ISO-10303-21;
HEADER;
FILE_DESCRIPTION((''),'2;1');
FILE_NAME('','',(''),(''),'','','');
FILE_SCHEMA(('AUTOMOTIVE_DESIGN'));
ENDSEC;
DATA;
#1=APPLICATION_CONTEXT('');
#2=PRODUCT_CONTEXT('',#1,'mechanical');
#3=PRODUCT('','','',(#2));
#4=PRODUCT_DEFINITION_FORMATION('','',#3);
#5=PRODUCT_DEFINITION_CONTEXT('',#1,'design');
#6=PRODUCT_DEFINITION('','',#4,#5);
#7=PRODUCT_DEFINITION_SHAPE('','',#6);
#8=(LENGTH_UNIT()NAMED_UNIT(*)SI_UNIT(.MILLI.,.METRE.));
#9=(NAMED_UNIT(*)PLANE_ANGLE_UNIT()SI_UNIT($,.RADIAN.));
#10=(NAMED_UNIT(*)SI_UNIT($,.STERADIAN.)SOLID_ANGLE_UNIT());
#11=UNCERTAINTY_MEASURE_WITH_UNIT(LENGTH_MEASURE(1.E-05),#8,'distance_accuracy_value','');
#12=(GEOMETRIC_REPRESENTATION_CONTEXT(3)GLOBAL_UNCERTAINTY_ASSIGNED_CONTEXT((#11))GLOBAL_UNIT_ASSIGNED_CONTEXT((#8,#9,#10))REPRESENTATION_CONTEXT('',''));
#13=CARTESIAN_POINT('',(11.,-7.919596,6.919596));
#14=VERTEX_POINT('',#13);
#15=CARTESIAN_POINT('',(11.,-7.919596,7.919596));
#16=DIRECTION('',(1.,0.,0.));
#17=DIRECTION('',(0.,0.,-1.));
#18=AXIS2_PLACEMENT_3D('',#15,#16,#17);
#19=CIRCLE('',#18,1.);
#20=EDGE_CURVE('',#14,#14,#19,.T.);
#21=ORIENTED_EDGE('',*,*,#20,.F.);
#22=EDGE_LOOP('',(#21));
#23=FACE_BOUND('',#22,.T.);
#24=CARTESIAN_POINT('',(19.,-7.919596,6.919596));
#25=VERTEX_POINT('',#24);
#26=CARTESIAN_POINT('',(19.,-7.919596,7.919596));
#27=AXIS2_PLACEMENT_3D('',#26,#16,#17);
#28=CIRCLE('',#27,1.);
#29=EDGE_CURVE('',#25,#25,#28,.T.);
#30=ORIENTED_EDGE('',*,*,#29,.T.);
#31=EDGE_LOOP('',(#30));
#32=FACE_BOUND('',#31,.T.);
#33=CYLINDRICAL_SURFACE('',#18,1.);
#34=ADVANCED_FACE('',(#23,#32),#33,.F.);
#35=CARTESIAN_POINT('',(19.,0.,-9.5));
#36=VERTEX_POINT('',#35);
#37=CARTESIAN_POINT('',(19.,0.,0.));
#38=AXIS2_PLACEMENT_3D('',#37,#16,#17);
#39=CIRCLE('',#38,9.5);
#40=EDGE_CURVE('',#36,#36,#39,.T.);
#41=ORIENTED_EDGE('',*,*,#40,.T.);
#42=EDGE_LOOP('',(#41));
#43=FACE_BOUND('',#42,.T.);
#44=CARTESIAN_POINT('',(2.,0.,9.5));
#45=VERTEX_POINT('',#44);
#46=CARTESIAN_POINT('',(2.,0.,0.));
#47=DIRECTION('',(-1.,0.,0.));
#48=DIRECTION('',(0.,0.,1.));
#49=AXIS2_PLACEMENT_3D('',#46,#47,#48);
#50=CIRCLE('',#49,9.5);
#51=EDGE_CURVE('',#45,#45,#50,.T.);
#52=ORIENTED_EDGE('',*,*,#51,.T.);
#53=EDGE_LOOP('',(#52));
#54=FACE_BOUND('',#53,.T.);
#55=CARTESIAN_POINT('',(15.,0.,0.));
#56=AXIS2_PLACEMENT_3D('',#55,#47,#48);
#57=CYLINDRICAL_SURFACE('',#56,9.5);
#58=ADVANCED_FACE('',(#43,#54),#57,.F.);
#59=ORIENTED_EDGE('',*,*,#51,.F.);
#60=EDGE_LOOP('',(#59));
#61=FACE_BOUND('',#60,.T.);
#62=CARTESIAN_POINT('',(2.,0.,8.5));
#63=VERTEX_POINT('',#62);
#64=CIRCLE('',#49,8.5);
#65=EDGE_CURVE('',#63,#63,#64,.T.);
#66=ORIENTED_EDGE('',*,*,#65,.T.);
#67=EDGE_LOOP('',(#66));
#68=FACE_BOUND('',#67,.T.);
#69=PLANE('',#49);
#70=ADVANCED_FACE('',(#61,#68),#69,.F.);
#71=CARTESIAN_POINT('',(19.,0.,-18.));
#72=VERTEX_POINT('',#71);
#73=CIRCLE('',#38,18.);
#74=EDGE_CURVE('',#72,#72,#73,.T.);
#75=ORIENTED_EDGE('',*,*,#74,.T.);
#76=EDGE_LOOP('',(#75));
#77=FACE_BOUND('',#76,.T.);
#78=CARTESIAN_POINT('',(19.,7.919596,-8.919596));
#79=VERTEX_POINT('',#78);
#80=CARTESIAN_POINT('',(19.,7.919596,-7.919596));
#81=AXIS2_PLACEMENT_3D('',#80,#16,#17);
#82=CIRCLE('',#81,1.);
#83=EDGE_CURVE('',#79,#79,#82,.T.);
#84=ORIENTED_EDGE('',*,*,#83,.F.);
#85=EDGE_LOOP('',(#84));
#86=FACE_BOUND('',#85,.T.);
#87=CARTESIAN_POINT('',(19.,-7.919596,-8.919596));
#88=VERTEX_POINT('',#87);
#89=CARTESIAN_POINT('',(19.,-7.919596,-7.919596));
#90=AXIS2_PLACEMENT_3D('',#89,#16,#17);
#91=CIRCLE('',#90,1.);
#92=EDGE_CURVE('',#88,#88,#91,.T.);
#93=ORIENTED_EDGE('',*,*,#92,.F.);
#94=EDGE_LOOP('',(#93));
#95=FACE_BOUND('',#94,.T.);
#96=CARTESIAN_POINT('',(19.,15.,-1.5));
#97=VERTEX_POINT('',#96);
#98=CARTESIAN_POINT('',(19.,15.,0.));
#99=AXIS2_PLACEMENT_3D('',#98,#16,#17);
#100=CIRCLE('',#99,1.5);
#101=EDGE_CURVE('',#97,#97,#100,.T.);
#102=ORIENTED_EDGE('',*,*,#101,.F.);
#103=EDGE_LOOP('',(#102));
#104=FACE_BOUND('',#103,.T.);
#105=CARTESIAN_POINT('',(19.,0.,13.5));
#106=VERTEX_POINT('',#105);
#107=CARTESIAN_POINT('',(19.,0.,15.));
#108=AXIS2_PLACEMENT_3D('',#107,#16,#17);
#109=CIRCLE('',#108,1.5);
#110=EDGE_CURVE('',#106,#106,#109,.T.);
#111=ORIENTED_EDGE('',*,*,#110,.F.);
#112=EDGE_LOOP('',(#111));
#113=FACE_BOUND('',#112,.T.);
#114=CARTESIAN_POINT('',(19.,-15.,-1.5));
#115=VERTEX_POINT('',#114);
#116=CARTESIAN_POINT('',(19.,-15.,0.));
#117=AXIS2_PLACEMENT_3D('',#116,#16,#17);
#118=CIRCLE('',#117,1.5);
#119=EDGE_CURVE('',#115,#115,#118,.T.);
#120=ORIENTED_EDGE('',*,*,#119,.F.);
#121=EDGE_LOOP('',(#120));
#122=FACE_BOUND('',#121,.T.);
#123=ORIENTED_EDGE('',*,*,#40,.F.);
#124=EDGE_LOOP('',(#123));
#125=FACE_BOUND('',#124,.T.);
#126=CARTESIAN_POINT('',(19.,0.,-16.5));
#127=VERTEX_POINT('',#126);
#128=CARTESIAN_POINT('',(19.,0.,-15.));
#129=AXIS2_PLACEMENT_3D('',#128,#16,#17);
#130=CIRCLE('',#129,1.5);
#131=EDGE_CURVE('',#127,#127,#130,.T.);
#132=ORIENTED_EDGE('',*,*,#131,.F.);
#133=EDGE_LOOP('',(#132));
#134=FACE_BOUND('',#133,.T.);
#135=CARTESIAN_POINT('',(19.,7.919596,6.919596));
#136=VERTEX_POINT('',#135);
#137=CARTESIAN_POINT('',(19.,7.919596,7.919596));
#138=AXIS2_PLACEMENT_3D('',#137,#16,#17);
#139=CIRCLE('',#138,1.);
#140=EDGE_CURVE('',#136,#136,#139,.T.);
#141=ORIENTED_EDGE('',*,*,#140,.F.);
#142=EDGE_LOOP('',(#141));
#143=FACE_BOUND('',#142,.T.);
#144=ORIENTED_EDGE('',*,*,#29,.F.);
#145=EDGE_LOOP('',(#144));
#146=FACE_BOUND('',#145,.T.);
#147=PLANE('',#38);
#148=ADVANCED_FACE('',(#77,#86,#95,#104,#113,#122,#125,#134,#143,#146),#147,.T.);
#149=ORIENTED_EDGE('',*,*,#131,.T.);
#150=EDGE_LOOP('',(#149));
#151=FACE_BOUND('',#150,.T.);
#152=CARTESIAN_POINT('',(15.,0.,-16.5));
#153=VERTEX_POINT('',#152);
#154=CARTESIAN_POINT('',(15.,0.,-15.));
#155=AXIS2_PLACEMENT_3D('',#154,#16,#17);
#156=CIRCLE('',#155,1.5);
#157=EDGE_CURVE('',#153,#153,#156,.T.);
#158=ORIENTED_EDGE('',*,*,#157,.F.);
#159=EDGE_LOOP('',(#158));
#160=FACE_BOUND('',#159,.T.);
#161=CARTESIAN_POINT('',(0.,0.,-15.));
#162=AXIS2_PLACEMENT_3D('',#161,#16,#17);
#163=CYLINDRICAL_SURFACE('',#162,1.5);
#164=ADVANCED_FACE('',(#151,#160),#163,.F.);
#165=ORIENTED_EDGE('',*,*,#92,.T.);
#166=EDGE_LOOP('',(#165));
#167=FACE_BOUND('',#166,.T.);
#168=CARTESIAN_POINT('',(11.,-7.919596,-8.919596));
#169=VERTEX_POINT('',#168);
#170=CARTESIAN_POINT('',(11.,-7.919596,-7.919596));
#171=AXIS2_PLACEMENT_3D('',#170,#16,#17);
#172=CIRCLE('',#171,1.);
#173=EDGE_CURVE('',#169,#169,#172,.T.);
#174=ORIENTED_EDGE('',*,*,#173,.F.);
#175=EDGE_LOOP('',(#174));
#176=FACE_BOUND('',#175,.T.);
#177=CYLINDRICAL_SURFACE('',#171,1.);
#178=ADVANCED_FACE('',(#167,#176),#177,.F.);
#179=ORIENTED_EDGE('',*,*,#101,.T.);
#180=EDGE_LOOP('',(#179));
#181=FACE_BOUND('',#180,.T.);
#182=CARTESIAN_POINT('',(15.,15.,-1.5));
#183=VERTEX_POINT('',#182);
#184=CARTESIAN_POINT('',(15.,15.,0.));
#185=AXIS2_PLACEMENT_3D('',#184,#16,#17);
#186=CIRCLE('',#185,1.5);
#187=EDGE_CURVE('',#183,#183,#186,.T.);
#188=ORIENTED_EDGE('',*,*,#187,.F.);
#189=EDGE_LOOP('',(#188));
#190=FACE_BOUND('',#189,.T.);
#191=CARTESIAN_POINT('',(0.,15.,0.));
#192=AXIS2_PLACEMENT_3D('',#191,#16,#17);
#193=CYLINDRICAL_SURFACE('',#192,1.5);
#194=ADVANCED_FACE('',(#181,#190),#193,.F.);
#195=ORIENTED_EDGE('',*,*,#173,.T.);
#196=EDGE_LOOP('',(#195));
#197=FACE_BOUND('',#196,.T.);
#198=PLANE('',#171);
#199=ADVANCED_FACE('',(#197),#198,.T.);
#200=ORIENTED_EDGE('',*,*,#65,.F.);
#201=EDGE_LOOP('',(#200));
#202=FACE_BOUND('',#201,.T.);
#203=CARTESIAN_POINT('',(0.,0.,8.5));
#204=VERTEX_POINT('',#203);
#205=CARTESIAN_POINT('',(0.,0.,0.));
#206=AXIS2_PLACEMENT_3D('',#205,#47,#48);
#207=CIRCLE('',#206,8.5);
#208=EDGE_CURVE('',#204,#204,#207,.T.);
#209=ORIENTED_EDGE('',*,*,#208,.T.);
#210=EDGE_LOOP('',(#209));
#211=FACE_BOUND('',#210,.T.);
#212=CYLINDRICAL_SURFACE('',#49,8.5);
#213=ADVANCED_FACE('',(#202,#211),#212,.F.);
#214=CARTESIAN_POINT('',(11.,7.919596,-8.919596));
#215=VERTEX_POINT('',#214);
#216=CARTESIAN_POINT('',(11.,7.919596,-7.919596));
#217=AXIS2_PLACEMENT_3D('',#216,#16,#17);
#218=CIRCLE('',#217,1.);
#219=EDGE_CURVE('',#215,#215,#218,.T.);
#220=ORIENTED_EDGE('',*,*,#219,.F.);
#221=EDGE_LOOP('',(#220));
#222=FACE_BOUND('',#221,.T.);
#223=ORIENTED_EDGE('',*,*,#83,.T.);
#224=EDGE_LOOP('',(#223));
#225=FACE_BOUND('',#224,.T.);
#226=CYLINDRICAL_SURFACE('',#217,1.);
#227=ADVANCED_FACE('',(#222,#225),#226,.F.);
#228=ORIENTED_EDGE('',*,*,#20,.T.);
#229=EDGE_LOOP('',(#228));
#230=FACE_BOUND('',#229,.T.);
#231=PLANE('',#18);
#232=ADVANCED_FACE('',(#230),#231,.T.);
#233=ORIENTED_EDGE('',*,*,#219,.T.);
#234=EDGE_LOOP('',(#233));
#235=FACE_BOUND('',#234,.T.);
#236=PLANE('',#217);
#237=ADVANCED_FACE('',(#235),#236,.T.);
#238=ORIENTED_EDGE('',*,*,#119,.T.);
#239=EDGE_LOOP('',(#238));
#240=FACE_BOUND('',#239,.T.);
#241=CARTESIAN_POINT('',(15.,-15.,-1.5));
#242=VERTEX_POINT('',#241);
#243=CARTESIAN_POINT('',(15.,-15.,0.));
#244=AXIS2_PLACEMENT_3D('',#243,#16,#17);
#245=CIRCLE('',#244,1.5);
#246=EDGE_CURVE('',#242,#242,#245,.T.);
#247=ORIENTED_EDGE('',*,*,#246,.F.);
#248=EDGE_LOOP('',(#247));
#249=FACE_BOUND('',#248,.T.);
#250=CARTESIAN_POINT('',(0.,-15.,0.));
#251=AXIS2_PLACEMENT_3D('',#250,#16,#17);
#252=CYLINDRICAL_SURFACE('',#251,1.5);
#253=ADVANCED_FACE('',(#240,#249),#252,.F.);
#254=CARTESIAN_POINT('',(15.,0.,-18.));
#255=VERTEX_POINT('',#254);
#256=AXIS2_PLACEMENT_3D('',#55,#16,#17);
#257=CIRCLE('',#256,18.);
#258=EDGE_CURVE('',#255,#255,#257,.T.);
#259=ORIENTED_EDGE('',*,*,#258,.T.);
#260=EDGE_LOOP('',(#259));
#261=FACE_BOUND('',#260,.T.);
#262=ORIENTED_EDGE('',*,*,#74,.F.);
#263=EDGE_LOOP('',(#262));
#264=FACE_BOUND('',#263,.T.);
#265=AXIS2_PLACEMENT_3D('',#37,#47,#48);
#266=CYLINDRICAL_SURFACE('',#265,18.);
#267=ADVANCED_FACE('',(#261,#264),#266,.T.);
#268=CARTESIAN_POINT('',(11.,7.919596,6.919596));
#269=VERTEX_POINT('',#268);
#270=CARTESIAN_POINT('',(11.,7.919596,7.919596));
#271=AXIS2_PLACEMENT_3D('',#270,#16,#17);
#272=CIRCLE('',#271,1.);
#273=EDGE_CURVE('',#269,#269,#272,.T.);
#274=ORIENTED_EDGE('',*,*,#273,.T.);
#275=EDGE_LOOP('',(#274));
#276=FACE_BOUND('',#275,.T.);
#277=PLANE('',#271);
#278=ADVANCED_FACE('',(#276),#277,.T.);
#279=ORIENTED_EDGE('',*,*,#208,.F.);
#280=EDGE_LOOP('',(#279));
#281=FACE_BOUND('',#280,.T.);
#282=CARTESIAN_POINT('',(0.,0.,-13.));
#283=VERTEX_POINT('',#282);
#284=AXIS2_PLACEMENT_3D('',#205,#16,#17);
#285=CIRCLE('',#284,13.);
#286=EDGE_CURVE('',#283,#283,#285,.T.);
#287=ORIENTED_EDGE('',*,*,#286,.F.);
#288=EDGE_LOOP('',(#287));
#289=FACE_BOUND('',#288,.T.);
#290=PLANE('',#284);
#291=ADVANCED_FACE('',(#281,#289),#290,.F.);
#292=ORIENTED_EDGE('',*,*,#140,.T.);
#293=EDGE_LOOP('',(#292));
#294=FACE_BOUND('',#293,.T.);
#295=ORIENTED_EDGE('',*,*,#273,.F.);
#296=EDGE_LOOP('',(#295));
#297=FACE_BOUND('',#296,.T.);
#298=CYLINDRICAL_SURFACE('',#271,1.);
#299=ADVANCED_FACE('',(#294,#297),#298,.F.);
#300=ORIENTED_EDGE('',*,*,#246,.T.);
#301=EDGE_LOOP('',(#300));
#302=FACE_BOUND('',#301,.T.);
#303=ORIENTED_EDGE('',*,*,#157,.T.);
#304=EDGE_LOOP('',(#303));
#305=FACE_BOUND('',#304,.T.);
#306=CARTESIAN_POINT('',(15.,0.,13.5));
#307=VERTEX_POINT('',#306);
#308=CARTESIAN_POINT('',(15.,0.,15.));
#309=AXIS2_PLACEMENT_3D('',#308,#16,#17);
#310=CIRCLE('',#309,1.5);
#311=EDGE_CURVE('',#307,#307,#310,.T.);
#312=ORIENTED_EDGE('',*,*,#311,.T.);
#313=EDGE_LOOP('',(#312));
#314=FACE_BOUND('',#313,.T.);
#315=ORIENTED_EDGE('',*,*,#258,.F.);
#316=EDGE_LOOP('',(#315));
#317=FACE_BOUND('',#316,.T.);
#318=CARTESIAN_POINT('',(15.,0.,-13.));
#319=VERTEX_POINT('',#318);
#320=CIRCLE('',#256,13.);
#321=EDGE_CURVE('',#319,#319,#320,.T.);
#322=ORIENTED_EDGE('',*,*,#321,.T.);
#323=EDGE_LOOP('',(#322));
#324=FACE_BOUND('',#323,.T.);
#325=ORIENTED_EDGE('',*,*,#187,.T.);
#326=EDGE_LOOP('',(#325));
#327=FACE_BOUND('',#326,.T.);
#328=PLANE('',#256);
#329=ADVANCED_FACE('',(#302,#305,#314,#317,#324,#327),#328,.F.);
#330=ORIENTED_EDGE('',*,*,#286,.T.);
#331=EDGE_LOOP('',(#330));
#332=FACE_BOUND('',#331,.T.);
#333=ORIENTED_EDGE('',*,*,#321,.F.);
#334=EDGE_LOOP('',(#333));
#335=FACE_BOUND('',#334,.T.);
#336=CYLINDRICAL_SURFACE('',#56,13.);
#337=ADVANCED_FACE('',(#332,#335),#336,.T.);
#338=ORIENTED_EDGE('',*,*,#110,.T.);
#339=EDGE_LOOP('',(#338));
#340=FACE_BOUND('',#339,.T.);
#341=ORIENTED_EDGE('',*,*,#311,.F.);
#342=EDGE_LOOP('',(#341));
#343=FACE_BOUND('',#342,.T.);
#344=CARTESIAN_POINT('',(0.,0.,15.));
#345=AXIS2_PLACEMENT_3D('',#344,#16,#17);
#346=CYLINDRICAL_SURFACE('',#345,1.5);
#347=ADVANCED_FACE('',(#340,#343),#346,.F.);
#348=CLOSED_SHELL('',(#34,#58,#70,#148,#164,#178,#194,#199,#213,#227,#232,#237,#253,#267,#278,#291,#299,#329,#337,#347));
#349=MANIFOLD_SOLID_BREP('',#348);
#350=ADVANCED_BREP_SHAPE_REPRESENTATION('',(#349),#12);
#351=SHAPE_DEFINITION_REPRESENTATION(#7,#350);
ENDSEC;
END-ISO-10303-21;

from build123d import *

# Parameters (mm, degrees)
SKETCH1_R           = 13
SKETCH1_R_2         = 9.5
BOSS_EXTRUDE1_DEPTH = 15
SKETCH2_R           = 18
SKETCH2_R_2         = 9.5
BOSS_EXTRUDE2_DEPTH = 4
SKETCH3_R           = 9.5
SKETCH3_R_2         = 8.5
BOSS_EXTRUDE3_DEPTH = 2
SKETCH4_R           = 1.5
CUT_EXTRUDE1_DEPTH  = 32.764760349
SKETCH5_R           = 1
CUT_EXTRUDE2_DEPTH  = 8


with BuildPart() as part:
    # Sketch1 → Boss-Extrude1 (new body)
    with BuildSketch(Plane(origin=(0, 0, 0), x_dir=(0, 0, -1), z_dir=(1, 0, 0))):
        Circle(SKETCH1_R)
        Circle(SKETCH1_R_2, mode=Mode.SUBTRACT)
    extrude(amount=BOSS_EXTRUDE1_DEPTH)

    # Sketch2 → Boss-Extrude2 (add)
    with BuildSketch(Plane(origin=(15, 0, 0), x_dir=(0, 0, -1), z_dir=(1, 0, 0))):
        Circle(SKETCH2_R)
        Circle(SKETCH2_R_2, mode=Mode.SUBTRACT)
    extrude(amount=BOSS_EXTRUDE2_DEPTH)

    # Sketch3 → Boss-Extrude3 (add)
    with BuildSketch(Plane.ZY):
        Circle(SKETCH3_R)
        Circle(SKETCH3_R_2, mode=Mode.SUBTRACT)
    extrude(amount=-BOSS_EXTRUDE3_DEPTH)

    # Sketch4 → Cut-Extrude1 (cut, through all)
    with BuildSketch(Plane(origin=(19, 0, 0), x_dir=(0, 0, -1), z_dir=(1, 0, 0))):
        with Locations((0, 15)):
            Circle(SKETCH4_R)
        with Locations((15, 0)):
            Circle(SKETCH4_R)
        with Locations((0, -15)):
            Circle(SKETCH4_R)
        with Locations((-15, 0)):
            Circle(SKETCH4_R)
    extrude(amount=-CUT_EXTRUDE1_DEPTH, mode=Mode.SUBTRACT)

    # Sketch5 → Cut-Extrude2 (cut)
    with BuildSketch(Plane(origin=(19, 0, 0), x_dir=(0, 0, -1), z_dir=(1, 0, 0))):
        with Locations((7.919595949, 7.919595949)):
            Circle(SKETCH5_R)
        with Locations((7.919595949, -7.919595949)):
            Circle(SKETCH5_R)
        with Locations((-7.919595949, -7.919595949)):
            Circle(SKETCH5_R)
        with Locations((-7.919595949, 7.919595949)):
            Circle(SKETCH5_R)
    extrude(amount=-CUT_EXTRUDE2_DEPTH, mode=Mode.SUBTRACT)


solid = part.part
